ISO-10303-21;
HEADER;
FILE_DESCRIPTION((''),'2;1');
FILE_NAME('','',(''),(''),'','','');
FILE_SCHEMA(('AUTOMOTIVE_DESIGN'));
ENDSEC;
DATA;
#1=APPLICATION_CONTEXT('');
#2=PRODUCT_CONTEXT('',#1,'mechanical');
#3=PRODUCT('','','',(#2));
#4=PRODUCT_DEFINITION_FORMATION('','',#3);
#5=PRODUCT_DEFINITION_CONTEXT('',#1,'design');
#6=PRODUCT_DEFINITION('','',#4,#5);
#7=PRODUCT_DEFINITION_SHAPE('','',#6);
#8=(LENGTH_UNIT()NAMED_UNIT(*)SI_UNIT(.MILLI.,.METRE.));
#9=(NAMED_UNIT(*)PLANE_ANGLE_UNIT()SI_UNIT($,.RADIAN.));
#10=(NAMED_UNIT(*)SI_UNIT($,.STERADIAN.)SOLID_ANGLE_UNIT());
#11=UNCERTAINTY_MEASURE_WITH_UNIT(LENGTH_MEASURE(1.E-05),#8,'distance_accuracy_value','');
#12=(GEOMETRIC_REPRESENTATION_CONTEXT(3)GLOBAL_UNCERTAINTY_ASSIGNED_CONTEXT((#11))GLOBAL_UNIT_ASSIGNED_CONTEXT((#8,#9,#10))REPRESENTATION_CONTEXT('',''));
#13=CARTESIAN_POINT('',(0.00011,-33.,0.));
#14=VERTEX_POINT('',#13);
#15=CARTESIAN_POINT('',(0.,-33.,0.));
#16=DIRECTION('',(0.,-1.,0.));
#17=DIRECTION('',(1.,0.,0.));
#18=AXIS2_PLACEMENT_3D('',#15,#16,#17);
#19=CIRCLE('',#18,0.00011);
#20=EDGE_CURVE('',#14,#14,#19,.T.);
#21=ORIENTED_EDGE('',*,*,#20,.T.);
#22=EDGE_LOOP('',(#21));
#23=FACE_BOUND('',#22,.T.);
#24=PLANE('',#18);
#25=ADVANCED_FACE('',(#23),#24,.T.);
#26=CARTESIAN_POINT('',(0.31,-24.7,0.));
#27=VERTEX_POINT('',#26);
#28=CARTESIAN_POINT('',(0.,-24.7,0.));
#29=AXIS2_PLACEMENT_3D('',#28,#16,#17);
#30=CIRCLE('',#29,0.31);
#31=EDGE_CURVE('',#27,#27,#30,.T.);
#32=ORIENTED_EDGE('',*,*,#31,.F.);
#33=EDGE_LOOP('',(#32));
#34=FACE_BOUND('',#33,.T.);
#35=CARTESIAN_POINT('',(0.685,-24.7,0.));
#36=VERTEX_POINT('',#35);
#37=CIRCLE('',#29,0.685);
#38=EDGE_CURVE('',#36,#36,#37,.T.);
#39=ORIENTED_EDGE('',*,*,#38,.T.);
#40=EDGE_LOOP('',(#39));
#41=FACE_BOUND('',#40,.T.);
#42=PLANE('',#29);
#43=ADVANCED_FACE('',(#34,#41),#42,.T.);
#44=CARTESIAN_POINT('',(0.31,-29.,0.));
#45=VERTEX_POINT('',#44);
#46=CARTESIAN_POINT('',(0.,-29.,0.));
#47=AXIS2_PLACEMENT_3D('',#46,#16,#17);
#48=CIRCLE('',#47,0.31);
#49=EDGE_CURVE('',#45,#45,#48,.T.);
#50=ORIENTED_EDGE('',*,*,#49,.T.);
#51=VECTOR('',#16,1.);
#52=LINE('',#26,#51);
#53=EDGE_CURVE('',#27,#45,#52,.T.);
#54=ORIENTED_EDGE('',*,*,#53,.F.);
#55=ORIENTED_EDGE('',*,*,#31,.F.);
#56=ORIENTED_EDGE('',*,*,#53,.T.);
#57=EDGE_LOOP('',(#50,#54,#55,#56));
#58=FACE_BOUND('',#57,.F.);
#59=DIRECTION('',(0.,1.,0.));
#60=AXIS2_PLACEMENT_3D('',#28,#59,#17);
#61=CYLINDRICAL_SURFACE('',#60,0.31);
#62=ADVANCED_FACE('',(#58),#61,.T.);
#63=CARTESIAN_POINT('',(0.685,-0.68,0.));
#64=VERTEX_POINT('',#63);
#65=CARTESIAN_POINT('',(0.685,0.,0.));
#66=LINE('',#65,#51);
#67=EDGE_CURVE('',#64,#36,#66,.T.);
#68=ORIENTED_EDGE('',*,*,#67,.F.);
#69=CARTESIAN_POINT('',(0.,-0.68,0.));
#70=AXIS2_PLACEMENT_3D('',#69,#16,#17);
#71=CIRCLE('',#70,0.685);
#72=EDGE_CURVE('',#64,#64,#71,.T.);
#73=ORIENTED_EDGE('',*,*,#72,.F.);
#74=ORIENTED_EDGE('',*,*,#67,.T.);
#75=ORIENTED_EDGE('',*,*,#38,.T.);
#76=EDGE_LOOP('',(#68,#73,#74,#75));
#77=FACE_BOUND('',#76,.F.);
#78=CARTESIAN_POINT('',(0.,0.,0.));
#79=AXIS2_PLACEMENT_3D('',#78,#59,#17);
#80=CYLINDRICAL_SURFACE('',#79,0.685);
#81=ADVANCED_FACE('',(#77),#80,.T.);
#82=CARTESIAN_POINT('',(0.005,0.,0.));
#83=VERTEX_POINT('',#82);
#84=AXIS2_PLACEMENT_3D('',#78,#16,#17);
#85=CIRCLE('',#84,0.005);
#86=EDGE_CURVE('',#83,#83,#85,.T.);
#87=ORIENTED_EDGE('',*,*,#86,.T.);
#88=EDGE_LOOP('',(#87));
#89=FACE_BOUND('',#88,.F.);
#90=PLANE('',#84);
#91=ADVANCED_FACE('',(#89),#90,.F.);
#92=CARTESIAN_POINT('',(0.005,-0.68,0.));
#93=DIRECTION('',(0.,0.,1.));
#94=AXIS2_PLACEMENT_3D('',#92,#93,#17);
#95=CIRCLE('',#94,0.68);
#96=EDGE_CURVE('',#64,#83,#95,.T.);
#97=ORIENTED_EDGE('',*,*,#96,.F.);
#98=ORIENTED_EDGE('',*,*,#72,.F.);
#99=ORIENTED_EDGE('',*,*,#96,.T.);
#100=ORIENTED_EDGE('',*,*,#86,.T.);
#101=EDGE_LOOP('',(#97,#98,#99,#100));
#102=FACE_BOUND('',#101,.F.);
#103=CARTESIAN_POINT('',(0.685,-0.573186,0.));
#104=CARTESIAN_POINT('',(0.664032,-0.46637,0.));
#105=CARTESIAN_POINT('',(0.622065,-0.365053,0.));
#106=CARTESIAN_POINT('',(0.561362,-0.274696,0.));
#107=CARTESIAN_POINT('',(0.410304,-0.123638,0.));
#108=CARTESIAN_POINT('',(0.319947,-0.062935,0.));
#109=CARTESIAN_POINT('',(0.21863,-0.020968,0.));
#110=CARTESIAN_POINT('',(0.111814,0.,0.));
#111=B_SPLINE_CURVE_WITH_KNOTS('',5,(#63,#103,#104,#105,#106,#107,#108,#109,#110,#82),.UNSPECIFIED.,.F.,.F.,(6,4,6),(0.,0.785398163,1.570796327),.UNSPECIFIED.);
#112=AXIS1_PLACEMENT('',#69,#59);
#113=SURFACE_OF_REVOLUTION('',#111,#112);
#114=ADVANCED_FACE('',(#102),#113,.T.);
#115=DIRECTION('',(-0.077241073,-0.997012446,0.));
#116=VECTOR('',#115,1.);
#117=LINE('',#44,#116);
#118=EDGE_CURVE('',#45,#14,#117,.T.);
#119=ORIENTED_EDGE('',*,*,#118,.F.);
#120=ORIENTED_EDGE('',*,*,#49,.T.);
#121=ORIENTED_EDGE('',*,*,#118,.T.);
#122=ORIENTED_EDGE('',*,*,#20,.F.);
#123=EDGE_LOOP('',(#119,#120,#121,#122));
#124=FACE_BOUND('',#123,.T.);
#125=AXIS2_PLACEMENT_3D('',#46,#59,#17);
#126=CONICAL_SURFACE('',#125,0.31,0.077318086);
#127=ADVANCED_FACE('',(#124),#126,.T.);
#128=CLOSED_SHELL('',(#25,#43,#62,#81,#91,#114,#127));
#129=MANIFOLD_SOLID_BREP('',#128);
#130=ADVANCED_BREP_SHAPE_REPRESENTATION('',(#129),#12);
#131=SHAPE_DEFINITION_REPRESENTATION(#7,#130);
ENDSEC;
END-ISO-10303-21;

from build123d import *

# Parameters (mm, degrees)
SKETCH_R      = 0.685
PAD_DEPTH     = 24.7
FILLET_R      = 0.68
SKETCH001_R   = 0.31
PAD001_DEPTH  = 8.3
CHAMFER_ANGLE = 4.43
CHAMFER_SIZE  = 4


with BuildPart() as part:
    # Sketch → Pad (new body)
    with BuildSketch(Plane.XZ):
        Circle(SKETCH_R)
    extrude(amount=PAD_DEPTH)

    # Fillet
    fillet_edges = [part.edges().sort_by_distance(p)[0] for p in [
        (-0.685, 0, 0),
    ]]
    fillet(fillet_edges, radius=FILLET_R)

    # Sketch001 (on Face3 of Fillet) → Pad001 (join)
    with BuildSketch(Plane.XZ.offset(24.7)):
        Circle(SKETCH001_R)
    extrude(amount=PAD001_DEPTH)

    # Chamfer
    chamfer_edges = [part.edges().sort_by_distance(p)[0] for p in [
        (-0.31, -33, 0),
    ]]
    chamfer_side = part.faces().sort_by_distance((-0.31, -28.85, 0))[0]
    chamfer(chamfer_edges, length=CHAMFER_SIZE, angle=CHAMFER_ANGLE, reference=chamfer_side)


solid = part.part
